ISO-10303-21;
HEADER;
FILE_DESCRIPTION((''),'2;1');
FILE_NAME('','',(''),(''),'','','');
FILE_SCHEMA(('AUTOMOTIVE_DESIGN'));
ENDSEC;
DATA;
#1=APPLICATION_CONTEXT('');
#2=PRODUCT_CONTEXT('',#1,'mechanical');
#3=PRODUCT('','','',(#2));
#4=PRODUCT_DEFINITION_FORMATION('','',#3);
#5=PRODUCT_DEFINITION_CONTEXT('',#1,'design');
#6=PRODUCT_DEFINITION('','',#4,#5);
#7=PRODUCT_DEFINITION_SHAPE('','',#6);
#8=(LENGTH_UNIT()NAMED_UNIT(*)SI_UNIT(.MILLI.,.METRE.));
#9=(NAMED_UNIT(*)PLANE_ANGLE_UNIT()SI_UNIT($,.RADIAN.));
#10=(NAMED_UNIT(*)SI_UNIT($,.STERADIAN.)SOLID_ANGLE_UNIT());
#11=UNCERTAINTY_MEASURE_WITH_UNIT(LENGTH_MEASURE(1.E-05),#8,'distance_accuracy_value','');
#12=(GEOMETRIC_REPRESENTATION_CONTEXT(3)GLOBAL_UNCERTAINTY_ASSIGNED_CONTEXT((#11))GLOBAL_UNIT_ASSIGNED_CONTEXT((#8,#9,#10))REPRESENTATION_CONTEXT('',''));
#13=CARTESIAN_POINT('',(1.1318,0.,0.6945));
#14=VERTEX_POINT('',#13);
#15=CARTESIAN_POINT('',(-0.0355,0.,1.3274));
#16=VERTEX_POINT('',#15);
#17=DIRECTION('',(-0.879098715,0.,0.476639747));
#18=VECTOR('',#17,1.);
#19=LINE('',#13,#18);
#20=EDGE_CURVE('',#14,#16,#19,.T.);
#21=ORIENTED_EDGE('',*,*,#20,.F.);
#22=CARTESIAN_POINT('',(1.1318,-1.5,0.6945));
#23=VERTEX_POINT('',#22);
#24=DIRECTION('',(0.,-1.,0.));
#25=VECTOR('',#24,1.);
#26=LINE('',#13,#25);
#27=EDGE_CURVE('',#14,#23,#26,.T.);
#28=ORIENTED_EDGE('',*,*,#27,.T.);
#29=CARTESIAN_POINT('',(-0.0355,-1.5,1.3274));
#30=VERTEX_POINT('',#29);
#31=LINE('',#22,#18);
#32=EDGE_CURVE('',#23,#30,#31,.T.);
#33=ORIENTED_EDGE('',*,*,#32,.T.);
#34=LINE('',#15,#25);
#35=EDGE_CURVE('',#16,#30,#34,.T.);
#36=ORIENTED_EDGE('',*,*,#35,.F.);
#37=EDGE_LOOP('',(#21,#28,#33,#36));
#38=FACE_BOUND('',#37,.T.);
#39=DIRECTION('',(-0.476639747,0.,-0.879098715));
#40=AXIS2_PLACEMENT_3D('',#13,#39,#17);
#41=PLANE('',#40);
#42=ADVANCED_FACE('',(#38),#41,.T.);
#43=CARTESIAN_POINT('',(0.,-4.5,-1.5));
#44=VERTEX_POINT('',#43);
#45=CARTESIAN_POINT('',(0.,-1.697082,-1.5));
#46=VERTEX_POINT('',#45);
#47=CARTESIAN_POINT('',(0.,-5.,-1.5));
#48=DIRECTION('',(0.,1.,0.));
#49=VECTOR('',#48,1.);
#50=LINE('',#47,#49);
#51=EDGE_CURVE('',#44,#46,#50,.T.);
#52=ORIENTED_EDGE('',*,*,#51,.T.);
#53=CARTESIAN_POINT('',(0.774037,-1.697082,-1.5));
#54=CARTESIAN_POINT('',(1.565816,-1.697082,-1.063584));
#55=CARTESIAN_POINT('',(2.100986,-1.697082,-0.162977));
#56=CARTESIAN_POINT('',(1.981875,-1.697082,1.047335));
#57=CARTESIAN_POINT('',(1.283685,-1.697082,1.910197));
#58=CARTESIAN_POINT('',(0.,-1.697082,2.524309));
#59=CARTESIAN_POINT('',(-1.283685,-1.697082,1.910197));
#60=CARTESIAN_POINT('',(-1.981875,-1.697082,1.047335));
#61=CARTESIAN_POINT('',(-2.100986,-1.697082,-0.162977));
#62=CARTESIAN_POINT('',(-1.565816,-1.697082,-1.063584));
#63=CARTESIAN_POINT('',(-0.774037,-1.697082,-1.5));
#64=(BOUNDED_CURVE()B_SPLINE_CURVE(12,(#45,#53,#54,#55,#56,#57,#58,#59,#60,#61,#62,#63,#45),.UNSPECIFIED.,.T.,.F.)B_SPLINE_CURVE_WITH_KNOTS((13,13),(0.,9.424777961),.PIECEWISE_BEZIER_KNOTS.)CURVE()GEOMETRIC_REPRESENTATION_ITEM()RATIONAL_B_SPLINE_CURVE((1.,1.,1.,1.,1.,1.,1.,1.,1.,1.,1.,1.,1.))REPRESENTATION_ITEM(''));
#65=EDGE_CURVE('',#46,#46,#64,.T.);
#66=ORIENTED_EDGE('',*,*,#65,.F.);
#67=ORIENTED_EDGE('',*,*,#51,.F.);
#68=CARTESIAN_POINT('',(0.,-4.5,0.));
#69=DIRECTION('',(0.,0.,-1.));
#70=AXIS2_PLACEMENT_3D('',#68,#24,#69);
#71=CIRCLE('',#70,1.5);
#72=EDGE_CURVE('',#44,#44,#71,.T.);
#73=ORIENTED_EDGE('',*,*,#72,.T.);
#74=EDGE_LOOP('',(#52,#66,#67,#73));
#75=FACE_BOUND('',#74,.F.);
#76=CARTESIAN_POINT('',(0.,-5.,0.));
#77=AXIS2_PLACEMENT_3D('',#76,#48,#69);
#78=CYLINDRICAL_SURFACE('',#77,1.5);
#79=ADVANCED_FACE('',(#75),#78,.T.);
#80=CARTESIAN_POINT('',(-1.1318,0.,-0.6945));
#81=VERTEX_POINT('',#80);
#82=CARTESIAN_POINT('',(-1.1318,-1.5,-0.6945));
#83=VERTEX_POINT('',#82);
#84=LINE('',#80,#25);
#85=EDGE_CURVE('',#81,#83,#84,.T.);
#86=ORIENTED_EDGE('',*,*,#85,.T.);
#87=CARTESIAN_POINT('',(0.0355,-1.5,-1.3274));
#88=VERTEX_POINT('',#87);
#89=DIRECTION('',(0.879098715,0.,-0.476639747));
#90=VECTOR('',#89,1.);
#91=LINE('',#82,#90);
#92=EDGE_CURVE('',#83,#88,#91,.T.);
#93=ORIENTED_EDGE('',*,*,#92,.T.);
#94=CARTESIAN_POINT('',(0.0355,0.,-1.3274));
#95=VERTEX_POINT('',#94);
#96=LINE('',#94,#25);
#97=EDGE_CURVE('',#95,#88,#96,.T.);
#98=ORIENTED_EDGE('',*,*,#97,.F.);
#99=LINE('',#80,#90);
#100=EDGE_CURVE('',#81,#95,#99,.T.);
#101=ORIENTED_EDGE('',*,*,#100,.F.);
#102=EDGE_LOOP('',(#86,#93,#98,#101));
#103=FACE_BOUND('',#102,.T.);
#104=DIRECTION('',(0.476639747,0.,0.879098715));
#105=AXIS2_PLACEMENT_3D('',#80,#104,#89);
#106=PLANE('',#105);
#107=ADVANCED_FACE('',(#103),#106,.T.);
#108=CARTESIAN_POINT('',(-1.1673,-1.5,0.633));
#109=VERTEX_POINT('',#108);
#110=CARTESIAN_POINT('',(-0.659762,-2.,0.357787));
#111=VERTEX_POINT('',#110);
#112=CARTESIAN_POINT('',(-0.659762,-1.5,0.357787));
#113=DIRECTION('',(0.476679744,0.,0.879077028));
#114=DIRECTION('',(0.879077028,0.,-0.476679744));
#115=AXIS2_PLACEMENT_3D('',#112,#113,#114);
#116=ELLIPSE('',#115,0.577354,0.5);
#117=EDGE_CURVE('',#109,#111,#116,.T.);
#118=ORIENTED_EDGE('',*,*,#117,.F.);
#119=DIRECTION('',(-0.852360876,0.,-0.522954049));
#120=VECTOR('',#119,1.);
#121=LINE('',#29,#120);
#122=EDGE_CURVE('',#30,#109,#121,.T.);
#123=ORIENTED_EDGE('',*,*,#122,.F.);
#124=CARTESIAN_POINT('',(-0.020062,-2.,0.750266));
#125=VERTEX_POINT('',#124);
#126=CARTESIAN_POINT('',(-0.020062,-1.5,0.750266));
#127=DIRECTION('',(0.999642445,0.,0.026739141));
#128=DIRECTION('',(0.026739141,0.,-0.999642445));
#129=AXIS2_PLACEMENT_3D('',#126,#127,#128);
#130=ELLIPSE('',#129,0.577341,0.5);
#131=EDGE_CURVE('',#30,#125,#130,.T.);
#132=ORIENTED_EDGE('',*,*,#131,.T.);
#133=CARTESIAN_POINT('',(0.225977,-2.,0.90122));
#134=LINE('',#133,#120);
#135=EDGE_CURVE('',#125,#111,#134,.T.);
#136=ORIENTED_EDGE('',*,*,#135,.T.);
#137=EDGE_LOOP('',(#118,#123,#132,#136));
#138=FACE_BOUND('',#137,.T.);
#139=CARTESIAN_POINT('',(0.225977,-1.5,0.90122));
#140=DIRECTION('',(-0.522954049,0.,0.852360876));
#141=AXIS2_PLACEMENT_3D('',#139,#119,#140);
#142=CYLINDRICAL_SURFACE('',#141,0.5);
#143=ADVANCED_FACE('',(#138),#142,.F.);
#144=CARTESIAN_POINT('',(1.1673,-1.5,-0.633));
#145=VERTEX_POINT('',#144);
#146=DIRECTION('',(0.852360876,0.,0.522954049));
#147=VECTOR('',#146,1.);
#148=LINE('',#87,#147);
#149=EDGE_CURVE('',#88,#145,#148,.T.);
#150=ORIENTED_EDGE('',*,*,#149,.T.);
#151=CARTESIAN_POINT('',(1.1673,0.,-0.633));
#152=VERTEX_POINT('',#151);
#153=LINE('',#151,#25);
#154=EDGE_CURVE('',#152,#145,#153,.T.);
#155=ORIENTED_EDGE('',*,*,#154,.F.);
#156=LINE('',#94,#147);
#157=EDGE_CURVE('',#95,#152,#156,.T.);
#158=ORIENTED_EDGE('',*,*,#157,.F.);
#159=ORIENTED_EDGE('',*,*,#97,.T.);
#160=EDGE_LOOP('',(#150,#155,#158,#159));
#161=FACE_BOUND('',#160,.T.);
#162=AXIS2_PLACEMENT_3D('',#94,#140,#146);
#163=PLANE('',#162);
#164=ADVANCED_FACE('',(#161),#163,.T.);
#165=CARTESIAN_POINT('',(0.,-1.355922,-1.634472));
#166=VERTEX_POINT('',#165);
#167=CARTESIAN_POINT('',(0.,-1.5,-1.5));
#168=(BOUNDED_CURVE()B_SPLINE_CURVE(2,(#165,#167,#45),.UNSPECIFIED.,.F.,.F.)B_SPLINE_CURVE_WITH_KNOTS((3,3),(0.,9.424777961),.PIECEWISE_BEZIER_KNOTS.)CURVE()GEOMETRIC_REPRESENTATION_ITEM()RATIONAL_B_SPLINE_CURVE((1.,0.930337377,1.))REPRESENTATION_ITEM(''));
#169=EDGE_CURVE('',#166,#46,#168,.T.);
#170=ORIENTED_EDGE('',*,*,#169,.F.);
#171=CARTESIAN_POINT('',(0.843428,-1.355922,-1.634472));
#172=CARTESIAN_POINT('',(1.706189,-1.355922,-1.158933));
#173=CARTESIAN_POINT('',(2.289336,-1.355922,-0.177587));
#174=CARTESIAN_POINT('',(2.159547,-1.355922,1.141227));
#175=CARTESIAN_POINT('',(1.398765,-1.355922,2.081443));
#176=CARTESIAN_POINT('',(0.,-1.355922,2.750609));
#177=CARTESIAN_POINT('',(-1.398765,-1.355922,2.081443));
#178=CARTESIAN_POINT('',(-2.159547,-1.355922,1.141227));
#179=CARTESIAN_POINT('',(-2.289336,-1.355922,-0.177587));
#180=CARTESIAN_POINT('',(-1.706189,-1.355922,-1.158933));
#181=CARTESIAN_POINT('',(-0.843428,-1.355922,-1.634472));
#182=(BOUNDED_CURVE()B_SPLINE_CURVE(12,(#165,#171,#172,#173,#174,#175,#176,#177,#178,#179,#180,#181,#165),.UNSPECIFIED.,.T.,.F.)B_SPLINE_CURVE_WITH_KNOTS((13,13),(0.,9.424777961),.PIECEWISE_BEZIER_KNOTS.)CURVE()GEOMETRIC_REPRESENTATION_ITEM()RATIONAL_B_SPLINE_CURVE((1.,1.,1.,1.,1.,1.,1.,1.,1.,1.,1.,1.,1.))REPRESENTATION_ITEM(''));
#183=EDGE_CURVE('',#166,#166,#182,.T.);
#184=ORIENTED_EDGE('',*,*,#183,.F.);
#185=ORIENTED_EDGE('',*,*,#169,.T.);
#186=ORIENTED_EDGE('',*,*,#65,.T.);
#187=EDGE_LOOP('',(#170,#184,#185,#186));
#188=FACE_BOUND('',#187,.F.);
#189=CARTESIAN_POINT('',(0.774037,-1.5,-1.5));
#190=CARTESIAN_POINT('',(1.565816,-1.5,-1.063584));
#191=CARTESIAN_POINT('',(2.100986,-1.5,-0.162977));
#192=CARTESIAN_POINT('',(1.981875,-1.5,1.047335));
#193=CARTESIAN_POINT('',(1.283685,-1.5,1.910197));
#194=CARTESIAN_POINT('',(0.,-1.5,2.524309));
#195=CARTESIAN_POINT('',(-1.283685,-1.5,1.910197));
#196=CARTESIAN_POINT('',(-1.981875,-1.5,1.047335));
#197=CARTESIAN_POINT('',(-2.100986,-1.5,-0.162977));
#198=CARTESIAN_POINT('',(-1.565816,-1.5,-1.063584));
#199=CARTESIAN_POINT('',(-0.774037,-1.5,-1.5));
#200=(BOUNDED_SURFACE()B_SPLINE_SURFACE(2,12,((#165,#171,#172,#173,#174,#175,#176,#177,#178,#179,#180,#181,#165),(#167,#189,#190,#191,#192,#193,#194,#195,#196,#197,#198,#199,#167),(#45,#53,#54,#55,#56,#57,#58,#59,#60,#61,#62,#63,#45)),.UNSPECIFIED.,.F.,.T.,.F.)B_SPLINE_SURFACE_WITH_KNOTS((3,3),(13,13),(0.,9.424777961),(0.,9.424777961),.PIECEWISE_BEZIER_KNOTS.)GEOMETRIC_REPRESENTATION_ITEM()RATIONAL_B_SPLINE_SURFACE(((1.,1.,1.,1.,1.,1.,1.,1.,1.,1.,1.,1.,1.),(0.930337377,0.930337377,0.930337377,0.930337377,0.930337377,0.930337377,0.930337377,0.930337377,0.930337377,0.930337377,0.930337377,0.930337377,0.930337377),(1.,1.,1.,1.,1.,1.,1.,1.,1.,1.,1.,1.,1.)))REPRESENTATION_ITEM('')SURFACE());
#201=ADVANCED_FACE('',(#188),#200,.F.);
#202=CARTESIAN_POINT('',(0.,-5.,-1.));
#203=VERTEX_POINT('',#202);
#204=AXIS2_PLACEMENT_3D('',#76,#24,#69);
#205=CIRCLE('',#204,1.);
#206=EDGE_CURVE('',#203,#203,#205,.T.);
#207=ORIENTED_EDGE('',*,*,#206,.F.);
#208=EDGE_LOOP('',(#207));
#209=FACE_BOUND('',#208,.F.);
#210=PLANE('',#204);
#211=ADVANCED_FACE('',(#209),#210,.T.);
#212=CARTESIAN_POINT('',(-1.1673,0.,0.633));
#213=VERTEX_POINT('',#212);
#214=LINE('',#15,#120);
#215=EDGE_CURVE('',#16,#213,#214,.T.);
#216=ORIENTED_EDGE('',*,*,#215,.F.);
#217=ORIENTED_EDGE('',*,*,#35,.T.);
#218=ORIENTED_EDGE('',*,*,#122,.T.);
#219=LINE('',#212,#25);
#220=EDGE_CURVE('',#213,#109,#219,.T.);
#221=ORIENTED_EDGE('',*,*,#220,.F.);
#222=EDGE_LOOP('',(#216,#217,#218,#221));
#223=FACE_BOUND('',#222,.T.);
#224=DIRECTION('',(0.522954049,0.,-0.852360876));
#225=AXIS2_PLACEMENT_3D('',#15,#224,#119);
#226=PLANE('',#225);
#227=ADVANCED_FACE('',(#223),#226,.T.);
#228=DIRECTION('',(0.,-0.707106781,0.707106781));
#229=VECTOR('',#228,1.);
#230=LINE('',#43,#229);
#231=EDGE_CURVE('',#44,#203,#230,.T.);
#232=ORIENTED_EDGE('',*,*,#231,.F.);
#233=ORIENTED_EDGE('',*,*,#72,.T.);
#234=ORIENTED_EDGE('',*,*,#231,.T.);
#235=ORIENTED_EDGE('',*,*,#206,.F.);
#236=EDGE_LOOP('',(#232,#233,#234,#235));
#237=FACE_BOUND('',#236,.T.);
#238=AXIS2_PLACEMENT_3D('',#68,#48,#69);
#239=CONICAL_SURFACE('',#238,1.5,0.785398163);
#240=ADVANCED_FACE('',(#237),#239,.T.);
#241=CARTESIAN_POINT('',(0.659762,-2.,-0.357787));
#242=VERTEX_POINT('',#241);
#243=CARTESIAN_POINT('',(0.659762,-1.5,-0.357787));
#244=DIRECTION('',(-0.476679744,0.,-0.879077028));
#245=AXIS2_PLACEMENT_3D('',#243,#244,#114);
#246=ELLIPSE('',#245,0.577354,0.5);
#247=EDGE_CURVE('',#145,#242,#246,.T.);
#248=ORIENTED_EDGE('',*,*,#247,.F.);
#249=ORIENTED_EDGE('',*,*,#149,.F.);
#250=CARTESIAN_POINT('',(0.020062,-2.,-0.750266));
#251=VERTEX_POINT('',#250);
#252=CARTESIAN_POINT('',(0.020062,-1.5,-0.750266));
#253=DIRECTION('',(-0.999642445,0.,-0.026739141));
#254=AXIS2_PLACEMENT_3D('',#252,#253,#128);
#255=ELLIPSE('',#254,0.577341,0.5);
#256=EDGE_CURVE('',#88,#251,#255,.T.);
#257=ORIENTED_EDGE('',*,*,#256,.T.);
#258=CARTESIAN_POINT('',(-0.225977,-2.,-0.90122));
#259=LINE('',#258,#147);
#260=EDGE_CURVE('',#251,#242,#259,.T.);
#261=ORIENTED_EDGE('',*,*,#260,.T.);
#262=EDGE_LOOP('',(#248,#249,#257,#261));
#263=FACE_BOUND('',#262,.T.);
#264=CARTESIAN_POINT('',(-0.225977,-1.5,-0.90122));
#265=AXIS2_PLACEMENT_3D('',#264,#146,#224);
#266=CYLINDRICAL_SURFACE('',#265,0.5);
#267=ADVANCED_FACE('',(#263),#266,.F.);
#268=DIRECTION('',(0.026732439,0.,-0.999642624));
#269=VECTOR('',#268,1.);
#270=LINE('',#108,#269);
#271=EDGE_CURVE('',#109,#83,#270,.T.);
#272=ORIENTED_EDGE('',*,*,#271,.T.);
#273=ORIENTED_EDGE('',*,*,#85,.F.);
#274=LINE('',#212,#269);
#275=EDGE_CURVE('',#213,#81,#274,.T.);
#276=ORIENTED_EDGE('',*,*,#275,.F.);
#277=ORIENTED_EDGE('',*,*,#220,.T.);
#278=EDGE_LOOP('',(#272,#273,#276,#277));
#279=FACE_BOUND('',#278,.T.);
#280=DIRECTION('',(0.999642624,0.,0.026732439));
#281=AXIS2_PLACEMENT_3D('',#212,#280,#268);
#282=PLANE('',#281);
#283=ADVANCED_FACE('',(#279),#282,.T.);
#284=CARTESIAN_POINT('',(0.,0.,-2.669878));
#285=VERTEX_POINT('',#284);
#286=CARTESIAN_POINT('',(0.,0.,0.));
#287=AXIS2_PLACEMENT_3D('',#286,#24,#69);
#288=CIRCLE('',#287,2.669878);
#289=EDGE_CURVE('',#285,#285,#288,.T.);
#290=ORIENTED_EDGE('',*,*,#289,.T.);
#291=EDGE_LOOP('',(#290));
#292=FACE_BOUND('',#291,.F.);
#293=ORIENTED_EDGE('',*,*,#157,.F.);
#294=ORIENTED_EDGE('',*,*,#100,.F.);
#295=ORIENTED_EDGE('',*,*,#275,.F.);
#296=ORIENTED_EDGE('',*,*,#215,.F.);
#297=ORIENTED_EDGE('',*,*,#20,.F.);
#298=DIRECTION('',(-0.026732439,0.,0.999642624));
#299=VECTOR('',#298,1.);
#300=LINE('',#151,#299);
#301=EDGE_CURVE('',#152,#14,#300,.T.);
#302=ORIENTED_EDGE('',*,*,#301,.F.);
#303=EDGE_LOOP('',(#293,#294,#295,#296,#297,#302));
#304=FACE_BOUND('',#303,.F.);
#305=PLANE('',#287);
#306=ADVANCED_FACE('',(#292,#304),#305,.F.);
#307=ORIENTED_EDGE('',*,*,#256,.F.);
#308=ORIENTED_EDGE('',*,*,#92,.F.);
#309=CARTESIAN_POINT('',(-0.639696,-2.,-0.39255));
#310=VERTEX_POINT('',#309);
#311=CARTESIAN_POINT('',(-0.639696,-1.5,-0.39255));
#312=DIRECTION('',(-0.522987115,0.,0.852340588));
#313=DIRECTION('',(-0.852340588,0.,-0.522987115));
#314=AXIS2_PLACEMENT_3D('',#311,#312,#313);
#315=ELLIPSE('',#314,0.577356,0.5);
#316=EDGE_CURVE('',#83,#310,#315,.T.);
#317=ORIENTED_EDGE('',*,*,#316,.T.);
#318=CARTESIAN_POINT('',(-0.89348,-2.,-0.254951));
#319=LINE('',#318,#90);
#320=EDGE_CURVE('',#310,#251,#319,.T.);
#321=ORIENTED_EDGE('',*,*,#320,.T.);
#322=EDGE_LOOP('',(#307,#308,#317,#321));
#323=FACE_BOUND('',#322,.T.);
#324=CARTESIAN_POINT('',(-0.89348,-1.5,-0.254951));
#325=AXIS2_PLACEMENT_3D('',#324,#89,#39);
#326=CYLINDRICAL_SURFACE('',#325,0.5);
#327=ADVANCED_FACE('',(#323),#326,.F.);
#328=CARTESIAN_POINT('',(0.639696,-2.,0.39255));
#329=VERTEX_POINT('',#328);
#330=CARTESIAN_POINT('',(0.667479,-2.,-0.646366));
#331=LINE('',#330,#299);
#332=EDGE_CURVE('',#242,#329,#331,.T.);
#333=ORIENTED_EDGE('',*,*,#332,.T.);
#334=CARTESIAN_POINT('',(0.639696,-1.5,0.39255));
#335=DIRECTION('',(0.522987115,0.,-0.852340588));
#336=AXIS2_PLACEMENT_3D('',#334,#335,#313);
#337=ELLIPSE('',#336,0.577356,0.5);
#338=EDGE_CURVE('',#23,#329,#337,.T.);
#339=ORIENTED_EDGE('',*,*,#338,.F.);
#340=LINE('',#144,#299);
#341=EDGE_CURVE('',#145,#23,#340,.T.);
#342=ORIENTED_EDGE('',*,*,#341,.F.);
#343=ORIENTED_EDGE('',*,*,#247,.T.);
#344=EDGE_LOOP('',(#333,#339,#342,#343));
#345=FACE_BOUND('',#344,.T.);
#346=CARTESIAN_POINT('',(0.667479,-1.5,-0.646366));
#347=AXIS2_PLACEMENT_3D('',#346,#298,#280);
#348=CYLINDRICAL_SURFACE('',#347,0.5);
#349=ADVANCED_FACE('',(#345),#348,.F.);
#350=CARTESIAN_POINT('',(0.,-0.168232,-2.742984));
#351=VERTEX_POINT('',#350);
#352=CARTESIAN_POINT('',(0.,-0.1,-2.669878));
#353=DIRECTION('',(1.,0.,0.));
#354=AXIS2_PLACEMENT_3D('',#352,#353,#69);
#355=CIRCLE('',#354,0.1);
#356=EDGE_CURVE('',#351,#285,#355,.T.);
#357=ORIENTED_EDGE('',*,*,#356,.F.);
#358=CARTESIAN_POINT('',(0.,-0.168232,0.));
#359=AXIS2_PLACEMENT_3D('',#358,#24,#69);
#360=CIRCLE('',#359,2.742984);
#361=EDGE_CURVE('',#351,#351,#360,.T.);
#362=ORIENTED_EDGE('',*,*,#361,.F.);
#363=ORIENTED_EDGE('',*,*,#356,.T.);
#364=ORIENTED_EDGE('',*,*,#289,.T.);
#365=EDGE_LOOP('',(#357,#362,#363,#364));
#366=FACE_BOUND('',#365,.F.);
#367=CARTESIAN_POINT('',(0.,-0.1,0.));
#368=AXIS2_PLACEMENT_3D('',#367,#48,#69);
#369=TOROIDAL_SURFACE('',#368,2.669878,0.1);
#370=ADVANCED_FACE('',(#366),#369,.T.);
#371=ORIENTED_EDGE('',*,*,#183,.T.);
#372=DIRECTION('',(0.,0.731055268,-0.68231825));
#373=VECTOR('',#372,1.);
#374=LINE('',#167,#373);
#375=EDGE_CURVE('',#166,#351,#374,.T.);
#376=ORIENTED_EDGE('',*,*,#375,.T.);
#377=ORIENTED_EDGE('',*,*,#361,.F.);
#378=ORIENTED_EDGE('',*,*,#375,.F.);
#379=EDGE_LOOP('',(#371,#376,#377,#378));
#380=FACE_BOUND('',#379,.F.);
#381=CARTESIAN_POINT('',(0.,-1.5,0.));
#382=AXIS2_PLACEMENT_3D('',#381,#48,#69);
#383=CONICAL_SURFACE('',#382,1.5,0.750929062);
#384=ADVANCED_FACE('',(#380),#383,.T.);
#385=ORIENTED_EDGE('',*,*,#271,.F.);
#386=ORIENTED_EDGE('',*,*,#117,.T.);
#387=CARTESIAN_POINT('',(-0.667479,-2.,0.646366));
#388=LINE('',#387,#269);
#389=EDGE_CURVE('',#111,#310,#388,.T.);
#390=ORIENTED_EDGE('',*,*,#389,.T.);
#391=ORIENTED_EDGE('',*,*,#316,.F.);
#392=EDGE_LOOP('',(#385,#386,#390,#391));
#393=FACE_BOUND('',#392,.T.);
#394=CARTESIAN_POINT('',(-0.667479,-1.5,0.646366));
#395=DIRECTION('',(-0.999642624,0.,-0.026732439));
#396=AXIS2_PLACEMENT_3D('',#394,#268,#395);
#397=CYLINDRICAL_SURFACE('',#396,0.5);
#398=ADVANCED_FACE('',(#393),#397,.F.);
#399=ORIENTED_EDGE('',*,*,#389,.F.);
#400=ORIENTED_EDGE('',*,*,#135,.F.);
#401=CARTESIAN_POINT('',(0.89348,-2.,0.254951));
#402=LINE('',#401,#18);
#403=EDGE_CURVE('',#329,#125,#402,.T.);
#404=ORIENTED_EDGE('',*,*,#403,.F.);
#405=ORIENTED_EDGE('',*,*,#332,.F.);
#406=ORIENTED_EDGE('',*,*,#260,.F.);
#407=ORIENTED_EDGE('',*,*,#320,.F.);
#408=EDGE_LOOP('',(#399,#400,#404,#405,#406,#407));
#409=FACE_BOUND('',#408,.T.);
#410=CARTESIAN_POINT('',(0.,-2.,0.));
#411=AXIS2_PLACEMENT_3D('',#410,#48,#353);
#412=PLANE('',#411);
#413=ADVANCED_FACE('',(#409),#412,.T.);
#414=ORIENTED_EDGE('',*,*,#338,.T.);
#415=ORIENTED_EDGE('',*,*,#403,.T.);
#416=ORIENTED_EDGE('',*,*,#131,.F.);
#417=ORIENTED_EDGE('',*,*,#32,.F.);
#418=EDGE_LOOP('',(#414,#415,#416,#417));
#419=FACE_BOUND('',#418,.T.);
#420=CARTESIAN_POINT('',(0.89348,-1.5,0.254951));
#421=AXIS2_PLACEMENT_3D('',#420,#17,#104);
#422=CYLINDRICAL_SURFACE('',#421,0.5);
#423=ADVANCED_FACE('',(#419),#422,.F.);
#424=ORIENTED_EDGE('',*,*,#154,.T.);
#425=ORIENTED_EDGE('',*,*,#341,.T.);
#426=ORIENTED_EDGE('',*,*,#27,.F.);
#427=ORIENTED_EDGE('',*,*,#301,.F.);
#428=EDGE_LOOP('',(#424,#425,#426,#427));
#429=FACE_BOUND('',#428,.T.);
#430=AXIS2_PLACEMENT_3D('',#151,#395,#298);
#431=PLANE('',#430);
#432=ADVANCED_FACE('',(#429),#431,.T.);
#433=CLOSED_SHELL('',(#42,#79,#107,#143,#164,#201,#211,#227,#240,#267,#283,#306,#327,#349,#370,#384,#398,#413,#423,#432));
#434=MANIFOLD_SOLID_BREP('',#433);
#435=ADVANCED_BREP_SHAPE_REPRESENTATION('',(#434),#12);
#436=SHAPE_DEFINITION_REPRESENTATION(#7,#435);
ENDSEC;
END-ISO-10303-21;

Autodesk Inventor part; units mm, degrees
ref_plane "YZ Plane" through (0, 0, 0) normal (1, 0, 0) x (0, 1, 0)
ref_plane "XZ Plane" through (0, 0, 0) normal (0, 1, 0) x (-1, 0, 0)
ref_plane "XY Plane" through (0, 0, 0) normal (0, 0, 1) x (1, 0, 0)
sketch "Szkic2" plane through (0, 0, 0) normal (1, 0, 0) x (0, 1, 0)
  line L0 (0, -2.9) -> (0, 2.9)
  line L1 (-1.5, -1.5) -> (-1.5, 1.5)
  line L2 (-1.5, -1.5) -> (0, -2.9)
  line L3 (-1.5, 1.5) -> (0, 2.9)
  line L4 (0, 0) -> (-5, 0)
  line L5 (-5, 0) -> (-5, -1.5)
  line L6 (-5, -1.5) -> (-1.5, -1.5)
  dimension "d0" = 5.8
  dimension "d2" = 3
  dimension "d3" = 1.5
  dimension "d4" = 5
  dimension "d5" = 1.5
revolve "Obrót1" add sketch "Szkic2" angle 360 about axis through (0, 0, 0) along (0, -1, 0) contours L2 L1 L4 L0 | L6 L5 L4 L1
sketch "Szkic3" plane through (0, 0, 0) normal (0, 1, 0) x (1, 0, 0)
  line L0 (-1.1673, -0.633) -> (-1.1318, 0.6945)
  line L1 (-1.1318, 0.6945) -> (0.0355, 1.3274)
  line L2 (0.0355, 1.3274) -> (1.1673, 0.633)
  line L3 (1.1673, 0.633) -> (1.1318, -0.6945)
  line L4 (1.1318, -0.6945) -> (-0.0355, -1.3274)
  line L5 (-0.0355, -1.3274) -> (-1.1673, -0.633)
  point P0 (0, 0)
  point P1 (0, 0)
  dimension "d7" = 2.3
extrude "Wyciągnięcie proste1" cut sketch "Szkic3" against normal blind 2
fillet "Zaokrąglenie1" radius 0.5 6 edges at (-1.1496, -2, -0.0308) (-0.6014, -2, 0.9802) (-0.5482, -2, -1.011) (0.6014, -2, -0.9802) (0.5482, -2, 1.011) (1.1496, -2, 0.0308)
fillet "Zaokrąglenie2" radius 0.5 1 edges at (0, -1.5, 1.5)
fillet "Zaokrąglenie3" radius 0.1 1 edges at (0, 0, 2.9)
thread "Gwint1" size "M3x0.5" class "6g" standard "ANSI Metric M Profile" full length
chamfer "Faza1" distance 0.5 angle 45 1 edges at (0, -5, 1.5)
properties part number "Screw M3 5mm flat head"
